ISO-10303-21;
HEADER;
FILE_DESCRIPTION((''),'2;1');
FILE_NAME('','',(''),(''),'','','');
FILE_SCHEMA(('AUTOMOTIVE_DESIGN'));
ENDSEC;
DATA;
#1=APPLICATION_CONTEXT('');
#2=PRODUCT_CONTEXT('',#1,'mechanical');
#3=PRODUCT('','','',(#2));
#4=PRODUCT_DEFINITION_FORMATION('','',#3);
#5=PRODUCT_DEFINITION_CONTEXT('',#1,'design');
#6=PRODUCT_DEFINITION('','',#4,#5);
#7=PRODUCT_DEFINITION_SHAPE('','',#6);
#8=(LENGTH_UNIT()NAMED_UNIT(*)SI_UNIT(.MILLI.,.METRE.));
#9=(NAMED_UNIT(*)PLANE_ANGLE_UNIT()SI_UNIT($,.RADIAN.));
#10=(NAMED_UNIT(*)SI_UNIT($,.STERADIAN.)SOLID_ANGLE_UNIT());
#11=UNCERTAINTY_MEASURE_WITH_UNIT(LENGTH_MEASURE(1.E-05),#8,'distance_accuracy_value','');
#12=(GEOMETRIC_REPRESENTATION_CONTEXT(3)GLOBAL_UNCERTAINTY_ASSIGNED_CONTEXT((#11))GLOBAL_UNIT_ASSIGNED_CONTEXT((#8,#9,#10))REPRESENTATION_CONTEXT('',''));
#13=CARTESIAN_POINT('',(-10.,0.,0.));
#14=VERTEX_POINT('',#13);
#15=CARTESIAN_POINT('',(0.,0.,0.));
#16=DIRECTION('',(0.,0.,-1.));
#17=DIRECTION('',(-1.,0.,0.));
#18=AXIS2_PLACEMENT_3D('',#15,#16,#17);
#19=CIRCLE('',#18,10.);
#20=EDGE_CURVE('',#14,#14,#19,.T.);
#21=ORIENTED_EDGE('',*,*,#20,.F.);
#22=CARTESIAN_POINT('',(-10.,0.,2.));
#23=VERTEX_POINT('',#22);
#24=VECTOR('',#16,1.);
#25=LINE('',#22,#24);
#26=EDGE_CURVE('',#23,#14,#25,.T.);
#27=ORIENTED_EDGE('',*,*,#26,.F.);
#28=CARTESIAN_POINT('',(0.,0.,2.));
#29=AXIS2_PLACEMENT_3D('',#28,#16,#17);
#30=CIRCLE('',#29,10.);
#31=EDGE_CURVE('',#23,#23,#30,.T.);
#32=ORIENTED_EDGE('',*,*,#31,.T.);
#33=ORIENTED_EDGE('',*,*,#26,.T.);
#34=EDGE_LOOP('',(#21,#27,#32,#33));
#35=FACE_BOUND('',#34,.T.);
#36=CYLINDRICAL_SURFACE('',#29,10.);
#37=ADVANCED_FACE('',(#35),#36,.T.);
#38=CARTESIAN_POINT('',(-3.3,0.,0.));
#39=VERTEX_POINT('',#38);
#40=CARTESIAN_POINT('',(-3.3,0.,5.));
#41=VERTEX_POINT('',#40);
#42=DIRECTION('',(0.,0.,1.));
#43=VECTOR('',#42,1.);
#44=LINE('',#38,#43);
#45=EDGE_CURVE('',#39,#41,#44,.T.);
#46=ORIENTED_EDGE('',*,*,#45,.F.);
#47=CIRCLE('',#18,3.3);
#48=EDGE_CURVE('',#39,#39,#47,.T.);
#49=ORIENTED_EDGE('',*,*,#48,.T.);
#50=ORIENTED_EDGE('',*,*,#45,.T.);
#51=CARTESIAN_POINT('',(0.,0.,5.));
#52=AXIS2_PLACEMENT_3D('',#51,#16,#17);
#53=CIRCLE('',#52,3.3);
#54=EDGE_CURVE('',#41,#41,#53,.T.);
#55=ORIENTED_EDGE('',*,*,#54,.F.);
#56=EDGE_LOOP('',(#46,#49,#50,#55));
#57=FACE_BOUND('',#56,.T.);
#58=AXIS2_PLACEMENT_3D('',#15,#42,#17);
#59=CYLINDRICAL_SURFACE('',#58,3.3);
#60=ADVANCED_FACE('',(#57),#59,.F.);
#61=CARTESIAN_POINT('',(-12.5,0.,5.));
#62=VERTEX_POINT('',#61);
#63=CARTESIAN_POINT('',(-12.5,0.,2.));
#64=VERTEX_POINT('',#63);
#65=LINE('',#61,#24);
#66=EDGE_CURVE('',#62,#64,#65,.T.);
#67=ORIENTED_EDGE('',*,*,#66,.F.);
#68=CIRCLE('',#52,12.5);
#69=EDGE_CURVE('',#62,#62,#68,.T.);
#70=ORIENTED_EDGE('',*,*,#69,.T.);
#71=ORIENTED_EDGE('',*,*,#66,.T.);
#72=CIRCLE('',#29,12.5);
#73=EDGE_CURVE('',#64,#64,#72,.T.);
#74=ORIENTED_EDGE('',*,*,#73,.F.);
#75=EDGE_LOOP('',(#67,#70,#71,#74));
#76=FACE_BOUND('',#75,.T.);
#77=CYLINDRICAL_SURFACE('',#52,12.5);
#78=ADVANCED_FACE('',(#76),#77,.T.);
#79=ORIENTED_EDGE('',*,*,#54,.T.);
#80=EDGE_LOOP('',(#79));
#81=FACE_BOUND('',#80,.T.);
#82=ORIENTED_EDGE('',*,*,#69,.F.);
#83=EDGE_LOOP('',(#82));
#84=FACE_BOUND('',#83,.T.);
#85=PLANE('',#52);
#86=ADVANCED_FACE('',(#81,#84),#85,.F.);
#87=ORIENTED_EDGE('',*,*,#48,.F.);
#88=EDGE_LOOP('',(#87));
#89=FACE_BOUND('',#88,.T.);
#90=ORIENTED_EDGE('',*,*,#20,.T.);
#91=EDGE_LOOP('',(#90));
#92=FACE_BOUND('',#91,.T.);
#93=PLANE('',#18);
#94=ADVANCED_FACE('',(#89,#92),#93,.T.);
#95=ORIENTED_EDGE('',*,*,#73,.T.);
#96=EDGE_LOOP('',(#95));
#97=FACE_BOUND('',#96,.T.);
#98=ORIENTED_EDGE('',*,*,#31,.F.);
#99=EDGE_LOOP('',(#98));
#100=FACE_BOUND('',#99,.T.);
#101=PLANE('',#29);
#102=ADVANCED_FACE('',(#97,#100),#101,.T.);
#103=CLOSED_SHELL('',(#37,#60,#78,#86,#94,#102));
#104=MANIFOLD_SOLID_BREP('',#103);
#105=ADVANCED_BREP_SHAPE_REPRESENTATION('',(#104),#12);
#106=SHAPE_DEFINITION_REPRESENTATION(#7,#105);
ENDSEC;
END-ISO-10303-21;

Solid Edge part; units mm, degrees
sketch "Sketch1" plane through (0, 0, 0) normal (0, -1, 0) x (1, 0, 0)
  line L0 (-3.3, 0) -> (-3.3, 5)
  line L1 (-3.3, 5) -> (-12.5, 5)
  line L2 (-12.5, 5) -> (-12.5, 2)
  line L3 (-12.5, 2) -> (-10, 2)
  line L4 (-10, 2) -> (-10, 0)
  line L5 (-10, 0) -> (-3.3, 0)
  dimension "D1" = 3.3
  dimension "D2" = 2.5
  dimension "D3" = 10
  dimension "D4" = 3.3
  dimension "D5" = 5
  dimension "D6" = 2
revolve "RevolvedProtrusion1" add sketch "Sketch1" angle 360 about axis through (0, 0, 54) along (0, 0, -1)
properties material "Aluminum, 6061-T6"
